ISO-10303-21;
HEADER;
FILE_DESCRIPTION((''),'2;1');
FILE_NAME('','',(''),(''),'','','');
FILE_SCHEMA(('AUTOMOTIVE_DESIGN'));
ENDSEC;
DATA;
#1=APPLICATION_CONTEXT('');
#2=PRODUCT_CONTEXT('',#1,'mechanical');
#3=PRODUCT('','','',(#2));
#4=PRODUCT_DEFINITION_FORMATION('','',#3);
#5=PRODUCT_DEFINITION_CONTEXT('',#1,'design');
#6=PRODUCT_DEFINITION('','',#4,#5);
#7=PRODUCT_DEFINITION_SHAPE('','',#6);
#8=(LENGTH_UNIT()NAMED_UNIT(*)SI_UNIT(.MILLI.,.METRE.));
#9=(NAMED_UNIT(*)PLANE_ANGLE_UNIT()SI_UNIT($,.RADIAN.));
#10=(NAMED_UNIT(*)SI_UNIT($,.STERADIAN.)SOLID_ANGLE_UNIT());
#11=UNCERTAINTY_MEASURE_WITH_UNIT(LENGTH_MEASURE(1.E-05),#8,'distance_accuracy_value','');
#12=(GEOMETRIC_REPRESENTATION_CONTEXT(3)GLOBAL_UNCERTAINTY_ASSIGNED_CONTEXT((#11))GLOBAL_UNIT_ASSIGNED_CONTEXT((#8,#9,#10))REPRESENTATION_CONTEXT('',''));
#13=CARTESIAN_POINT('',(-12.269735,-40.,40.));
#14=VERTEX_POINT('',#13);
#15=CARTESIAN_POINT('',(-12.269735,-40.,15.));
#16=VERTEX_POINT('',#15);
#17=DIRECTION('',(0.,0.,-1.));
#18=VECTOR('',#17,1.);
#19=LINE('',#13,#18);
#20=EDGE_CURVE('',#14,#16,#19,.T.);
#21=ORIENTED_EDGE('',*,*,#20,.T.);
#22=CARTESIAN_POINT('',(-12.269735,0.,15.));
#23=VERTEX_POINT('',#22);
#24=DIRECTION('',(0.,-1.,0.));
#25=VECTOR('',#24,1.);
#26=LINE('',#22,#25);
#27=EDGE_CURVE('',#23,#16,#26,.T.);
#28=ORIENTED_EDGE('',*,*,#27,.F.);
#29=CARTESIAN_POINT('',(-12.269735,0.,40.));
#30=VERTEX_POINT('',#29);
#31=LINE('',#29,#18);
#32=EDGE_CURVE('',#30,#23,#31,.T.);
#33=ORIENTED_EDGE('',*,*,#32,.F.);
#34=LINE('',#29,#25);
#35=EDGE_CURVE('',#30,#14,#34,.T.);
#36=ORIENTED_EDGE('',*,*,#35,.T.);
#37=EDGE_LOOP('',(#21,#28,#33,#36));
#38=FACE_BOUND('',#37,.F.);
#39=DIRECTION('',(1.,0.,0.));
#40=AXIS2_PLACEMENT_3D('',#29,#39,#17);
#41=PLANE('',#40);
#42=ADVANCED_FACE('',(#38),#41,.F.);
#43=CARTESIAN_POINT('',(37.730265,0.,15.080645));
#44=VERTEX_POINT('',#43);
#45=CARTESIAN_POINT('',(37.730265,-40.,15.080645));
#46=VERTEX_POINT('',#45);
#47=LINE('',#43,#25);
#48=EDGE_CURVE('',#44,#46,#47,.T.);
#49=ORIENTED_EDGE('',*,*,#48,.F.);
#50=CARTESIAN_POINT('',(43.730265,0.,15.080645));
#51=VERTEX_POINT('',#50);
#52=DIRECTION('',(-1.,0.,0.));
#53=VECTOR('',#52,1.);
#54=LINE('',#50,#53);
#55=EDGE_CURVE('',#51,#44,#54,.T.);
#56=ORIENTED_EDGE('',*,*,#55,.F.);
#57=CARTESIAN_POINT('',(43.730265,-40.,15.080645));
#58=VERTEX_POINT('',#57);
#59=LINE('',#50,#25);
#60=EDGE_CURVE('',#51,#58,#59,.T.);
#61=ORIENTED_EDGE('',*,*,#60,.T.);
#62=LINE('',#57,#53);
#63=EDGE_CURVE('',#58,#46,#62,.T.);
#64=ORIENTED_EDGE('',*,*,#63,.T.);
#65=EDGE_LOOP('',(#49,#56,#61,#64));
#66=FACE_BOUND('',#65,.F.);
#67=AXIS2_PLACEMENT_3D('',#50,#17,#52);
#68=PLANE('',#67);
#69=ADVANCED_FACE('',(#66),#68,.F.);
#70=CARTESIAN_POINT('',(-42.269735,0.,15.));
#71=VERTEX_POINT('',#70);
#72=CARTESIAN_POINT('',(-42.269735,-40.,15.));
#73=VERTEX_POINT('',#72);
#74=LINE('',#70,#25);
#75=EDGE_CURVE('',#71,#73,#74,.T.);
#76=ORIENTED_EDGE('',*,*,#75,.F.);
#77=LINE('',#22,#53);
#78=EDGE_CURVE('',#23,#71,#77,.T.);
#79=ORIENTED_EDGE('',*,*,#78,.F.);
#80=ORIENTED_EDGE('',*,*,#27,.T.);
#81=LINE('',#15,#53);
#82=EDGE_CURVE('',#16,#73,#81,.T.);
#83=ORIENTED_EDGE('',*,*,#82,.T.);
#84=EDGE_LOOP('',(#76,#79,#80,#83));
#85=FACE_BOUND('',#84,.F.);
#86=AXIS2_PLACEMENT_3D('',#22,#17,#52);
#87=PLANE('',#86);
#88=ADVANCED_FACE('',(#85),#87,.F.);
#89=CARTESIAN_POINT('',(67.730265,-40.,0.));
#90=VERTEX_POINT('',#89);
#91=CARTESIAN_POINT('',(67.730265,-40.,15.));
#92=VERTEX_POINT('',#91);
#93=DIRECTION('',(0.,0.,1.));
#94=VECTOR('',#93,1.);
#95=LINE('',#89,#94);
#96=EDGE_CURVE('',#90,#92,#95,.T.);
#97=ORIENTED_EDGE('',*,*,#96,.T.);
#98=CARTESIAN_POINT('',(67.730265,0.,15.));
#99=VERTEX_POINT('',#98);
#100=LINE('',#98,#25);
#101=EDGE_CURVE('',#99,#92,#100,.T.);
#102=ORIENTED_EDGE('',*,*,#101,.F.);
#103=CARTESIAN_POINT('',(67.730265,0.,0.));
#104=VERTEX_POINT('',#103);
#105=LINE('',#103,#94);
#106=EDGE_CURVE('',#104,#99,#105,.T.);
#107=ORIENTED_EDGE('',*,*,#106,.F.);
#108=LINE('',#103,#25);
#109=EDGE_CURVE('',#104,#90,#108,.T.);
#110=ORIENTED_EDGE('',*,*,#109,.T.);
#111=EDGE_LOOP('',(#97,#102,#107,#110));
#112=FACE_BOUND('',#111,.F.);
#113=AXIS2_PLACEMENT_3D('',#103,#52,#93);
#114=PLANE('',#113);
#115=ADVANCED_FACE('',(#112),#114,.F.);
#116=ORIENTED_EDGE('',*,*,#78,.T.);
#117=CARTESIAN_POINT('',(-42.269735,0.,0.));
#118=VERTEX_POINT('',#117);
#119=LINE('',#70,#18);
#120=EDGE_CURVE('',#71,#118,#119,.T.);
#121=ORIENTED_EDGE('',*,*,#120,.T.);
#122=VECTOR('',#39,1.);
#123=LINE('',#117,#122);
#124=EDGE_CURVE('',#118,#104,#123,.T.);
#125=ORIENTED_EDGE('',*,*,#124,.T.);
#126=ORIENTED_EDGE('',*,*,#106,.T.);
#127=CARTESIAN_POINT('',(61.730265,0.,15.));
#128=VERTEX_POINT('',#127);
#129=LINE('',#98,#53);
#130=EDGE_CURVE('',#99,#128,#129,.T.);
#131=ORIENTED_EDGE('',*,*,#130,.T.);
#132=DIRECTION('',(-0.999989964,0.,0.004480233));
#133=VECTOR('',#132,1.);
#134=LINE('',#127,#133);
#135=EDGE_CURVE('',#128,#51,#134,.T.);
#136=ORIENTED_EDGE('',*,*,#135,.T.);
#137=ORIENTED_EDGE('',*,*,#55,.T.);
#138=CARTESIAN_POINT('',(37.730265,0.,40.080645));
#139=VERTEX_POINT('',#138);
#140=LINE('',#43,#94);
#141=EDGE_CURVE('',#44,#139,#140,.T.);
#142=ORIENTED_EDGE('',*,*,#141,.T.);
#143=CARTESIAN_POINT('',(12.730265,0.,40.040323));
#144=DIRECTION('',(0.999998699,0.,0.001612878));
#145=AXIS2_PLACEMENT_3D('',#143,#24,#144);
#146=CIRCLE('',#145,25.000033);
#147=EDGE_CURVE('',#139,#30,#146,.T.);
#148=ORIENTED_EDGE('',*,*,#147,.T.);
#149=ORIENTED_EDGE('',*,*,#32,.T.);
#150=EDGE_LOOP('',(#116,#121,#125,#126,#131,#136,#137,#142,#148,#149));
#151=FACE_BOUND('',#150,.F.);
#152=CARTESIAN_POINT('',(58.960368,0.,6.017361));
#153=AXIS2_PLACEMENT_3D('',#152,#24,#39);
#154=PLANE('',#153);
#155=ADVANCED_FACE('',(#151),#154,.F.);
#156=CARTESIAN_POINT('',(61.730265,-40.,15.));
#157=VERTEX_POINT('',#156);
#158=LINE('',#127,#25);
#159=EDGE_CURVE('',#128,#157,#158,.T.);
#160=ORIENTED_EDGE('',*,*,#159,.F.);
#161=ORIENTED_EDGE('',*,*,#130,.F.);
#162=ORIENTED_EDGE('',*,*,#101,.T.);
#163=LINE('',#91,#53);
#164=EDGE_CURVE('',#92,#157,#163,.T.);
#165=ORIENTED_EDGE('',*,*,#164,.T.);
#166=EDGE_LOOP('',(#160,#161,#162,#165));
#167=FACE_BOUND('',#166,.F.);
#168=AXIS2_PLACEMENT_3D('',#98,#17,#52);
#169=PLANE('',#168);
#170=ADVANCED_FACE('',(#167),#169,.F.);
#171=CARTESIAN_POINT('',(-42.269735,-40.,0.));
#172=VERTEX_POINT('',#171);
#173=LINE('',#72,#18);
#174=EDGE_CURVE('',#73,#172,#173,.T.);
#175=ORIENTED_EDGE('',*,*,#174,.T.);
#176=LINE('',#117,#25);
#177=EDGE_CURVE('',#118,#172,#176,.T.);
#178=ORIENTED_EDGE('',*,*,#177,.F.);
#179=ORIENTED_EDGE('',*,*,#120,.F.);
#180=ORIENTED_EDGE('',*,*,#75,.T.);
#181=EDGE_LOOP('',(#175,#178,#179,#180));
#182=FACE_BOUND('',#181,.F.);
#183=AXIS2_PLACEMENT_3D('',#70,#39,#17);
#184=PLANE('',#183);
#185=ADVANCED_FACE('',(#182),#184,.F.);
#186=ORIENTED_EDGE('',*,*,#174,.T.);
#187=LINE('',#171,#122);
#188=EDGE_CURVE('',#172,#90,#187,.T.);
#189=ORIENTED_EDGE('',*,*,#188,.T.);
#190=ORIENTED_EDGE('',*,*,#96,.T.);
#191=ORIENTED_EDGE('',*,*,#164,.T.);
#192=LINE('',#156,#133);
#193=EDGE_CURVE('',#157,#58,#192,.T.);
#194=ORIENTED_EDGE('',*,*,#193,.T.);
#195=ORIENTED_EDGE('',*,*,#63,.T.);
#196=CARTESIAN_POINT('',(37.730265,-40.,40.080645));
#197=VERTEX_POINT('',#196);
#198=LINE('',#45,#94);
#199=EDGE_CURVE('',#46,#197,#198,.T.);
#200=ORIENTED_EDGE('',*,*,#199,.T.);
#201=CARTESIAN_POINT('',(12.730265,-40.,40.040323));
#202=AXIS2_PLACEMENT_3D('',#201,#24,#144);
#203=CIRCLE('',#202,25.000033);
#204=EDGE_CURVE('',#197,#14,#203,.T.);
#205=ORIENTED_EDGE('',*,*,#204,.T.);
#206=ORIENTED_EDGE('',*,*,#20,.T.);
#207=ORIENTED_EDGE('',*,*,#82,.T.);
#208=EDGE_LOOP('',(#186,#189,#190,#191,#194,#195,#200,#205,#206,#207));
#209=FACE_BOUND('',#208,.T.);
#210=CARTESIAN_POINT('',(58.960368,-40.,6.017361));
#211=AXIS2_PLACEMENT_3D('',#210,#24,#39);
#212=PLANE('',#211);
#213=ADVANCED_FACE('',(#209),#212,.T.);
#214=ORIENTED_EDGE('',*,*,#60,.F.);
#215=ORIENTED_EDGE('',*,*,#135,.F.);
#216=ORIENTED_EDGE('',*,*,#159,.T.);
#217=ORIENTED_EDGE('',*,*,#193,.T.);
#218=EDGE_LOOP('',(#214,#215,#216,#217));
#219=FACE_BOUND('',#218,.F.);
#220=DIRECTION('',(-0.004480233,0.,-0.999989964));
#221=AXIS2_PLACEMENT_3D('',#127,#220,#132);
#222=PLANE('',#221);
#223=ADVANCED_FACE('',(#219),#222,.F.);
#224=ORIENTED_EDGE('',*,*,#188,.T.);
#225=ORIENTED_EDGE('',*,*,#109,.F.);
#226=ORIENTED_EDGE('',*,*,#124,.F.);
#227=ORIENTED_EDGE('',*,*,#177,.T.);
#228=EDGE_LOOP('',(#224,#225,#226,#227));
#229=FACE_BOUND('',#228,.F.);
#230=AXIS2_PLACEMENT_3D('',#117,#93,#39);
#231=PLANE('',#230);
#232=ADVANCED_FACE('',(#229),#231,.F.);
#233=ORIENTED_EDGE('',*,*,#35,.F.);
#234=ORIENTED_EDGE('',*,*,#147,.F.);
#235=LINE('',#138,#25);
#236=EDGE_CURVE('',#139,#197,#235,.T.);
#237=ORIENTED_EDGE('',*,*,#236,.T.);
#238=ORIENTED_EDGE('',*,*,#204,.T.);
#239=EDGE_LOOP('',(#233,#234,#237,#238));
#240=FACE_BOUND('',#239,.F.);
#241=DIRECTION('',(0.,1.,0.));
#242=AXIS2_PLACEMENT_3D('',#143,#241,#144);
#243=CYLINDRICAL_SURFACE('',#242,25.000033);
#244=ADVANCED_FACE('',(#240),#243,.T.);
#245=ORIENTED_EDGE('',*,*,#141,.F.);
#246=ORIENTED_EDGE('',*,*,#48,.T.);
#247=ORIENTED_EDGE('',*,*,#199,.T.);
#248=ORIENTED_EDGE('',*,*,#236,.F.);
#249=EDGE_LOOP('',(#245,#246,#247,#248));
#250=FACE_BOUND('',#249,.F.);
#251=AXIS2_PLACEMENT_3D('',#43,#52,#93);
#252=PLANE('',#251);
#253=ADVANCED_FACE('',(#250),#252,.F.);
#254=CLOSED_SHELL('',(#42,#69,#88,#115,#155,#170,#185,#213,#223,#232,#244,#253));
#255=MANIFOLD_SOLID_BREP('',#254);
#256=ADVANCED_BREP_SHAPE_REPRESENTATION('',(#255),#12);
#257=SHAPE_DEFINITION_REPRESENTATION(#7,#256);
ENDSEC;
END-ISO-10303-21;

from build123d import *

# Parameters (mm, degrees)
F0_R     = 14
F0_W     = 11
F0_H     = 7.7
F1_DEPTH = 40


with BuildPart() as f1:
    # F0 (on Front) → F1 (new body)
    with BuildSketch(Plane.XZ):
        Polygon((47.230265, 7.764964), (47.230265, 0), (58.230265, 0), (67.730265, 0), (67.730265, 15), (61.730265, 15), (61.730265, 7.7), align=None)
        Polygon((-42.269735, 15), (-42.269735, 0), (-32.769735, 0), (-32.769735, 7.7), (-36.269735, 7.7), (-36.269735, 15), align=None)
        Polygon((43.730265, 7.780645), (47.230265, 7.764964), (61.730265, 7.7), (61.730265, 15), (43.730265, 15.080645), align=None)
        Polygon((-36.269735, 7.7), (-32.769735, 7.7), (-21.769735, 7.7), (-18.269735, 7.7), (-18.269735, 15), (-36.269735, 15), align=None)
        with BuildLine():
            Line((-21.769735, 7.7), (-21.769735, 0))
            Line((-21.769735, 0), (47.230265, 0))
            Line((47.230265, 0), (47.230265, 7.764964))
            Line((47.230265, 7.764964), (43.730265, 7.780645))
            Line((43.730265, 7.780645), (43.730265, 15.080645))
            Line((43.730265, 15.080645), (37.730265, 15.080645))
            Line((37.730265, 15.080645), (37.730265, 40))
            Line((37.730265, 40), (37.730265, 40.080645))
            ThreePointArc((37.730265, 40.080645), (12.689942, 65.040323), (-12.269735, 40))
            Line((-12.269735, 40), (-12.269735, 15))
            Line((-12.269735, 15), (-18.269735, 15))
            Line((-18.269735, 15), (-18.269735, 7.7))
            Line((-18.269735, 7.7), (-21.769735, 7.7))
        make_face()
        with Locations((12.730265, 40.040323)):
            Circle(F0_R, mode=Mode.SUBTRACT)
        with Locations((12.730265, 40.040323)):
            Circle(F0_R)
        with Locations((-27.269735, 3.85)):
            Rectangle(F0_W, F0_H)
    extrude(amount=F1_DEPTH)


solid = f1.part
